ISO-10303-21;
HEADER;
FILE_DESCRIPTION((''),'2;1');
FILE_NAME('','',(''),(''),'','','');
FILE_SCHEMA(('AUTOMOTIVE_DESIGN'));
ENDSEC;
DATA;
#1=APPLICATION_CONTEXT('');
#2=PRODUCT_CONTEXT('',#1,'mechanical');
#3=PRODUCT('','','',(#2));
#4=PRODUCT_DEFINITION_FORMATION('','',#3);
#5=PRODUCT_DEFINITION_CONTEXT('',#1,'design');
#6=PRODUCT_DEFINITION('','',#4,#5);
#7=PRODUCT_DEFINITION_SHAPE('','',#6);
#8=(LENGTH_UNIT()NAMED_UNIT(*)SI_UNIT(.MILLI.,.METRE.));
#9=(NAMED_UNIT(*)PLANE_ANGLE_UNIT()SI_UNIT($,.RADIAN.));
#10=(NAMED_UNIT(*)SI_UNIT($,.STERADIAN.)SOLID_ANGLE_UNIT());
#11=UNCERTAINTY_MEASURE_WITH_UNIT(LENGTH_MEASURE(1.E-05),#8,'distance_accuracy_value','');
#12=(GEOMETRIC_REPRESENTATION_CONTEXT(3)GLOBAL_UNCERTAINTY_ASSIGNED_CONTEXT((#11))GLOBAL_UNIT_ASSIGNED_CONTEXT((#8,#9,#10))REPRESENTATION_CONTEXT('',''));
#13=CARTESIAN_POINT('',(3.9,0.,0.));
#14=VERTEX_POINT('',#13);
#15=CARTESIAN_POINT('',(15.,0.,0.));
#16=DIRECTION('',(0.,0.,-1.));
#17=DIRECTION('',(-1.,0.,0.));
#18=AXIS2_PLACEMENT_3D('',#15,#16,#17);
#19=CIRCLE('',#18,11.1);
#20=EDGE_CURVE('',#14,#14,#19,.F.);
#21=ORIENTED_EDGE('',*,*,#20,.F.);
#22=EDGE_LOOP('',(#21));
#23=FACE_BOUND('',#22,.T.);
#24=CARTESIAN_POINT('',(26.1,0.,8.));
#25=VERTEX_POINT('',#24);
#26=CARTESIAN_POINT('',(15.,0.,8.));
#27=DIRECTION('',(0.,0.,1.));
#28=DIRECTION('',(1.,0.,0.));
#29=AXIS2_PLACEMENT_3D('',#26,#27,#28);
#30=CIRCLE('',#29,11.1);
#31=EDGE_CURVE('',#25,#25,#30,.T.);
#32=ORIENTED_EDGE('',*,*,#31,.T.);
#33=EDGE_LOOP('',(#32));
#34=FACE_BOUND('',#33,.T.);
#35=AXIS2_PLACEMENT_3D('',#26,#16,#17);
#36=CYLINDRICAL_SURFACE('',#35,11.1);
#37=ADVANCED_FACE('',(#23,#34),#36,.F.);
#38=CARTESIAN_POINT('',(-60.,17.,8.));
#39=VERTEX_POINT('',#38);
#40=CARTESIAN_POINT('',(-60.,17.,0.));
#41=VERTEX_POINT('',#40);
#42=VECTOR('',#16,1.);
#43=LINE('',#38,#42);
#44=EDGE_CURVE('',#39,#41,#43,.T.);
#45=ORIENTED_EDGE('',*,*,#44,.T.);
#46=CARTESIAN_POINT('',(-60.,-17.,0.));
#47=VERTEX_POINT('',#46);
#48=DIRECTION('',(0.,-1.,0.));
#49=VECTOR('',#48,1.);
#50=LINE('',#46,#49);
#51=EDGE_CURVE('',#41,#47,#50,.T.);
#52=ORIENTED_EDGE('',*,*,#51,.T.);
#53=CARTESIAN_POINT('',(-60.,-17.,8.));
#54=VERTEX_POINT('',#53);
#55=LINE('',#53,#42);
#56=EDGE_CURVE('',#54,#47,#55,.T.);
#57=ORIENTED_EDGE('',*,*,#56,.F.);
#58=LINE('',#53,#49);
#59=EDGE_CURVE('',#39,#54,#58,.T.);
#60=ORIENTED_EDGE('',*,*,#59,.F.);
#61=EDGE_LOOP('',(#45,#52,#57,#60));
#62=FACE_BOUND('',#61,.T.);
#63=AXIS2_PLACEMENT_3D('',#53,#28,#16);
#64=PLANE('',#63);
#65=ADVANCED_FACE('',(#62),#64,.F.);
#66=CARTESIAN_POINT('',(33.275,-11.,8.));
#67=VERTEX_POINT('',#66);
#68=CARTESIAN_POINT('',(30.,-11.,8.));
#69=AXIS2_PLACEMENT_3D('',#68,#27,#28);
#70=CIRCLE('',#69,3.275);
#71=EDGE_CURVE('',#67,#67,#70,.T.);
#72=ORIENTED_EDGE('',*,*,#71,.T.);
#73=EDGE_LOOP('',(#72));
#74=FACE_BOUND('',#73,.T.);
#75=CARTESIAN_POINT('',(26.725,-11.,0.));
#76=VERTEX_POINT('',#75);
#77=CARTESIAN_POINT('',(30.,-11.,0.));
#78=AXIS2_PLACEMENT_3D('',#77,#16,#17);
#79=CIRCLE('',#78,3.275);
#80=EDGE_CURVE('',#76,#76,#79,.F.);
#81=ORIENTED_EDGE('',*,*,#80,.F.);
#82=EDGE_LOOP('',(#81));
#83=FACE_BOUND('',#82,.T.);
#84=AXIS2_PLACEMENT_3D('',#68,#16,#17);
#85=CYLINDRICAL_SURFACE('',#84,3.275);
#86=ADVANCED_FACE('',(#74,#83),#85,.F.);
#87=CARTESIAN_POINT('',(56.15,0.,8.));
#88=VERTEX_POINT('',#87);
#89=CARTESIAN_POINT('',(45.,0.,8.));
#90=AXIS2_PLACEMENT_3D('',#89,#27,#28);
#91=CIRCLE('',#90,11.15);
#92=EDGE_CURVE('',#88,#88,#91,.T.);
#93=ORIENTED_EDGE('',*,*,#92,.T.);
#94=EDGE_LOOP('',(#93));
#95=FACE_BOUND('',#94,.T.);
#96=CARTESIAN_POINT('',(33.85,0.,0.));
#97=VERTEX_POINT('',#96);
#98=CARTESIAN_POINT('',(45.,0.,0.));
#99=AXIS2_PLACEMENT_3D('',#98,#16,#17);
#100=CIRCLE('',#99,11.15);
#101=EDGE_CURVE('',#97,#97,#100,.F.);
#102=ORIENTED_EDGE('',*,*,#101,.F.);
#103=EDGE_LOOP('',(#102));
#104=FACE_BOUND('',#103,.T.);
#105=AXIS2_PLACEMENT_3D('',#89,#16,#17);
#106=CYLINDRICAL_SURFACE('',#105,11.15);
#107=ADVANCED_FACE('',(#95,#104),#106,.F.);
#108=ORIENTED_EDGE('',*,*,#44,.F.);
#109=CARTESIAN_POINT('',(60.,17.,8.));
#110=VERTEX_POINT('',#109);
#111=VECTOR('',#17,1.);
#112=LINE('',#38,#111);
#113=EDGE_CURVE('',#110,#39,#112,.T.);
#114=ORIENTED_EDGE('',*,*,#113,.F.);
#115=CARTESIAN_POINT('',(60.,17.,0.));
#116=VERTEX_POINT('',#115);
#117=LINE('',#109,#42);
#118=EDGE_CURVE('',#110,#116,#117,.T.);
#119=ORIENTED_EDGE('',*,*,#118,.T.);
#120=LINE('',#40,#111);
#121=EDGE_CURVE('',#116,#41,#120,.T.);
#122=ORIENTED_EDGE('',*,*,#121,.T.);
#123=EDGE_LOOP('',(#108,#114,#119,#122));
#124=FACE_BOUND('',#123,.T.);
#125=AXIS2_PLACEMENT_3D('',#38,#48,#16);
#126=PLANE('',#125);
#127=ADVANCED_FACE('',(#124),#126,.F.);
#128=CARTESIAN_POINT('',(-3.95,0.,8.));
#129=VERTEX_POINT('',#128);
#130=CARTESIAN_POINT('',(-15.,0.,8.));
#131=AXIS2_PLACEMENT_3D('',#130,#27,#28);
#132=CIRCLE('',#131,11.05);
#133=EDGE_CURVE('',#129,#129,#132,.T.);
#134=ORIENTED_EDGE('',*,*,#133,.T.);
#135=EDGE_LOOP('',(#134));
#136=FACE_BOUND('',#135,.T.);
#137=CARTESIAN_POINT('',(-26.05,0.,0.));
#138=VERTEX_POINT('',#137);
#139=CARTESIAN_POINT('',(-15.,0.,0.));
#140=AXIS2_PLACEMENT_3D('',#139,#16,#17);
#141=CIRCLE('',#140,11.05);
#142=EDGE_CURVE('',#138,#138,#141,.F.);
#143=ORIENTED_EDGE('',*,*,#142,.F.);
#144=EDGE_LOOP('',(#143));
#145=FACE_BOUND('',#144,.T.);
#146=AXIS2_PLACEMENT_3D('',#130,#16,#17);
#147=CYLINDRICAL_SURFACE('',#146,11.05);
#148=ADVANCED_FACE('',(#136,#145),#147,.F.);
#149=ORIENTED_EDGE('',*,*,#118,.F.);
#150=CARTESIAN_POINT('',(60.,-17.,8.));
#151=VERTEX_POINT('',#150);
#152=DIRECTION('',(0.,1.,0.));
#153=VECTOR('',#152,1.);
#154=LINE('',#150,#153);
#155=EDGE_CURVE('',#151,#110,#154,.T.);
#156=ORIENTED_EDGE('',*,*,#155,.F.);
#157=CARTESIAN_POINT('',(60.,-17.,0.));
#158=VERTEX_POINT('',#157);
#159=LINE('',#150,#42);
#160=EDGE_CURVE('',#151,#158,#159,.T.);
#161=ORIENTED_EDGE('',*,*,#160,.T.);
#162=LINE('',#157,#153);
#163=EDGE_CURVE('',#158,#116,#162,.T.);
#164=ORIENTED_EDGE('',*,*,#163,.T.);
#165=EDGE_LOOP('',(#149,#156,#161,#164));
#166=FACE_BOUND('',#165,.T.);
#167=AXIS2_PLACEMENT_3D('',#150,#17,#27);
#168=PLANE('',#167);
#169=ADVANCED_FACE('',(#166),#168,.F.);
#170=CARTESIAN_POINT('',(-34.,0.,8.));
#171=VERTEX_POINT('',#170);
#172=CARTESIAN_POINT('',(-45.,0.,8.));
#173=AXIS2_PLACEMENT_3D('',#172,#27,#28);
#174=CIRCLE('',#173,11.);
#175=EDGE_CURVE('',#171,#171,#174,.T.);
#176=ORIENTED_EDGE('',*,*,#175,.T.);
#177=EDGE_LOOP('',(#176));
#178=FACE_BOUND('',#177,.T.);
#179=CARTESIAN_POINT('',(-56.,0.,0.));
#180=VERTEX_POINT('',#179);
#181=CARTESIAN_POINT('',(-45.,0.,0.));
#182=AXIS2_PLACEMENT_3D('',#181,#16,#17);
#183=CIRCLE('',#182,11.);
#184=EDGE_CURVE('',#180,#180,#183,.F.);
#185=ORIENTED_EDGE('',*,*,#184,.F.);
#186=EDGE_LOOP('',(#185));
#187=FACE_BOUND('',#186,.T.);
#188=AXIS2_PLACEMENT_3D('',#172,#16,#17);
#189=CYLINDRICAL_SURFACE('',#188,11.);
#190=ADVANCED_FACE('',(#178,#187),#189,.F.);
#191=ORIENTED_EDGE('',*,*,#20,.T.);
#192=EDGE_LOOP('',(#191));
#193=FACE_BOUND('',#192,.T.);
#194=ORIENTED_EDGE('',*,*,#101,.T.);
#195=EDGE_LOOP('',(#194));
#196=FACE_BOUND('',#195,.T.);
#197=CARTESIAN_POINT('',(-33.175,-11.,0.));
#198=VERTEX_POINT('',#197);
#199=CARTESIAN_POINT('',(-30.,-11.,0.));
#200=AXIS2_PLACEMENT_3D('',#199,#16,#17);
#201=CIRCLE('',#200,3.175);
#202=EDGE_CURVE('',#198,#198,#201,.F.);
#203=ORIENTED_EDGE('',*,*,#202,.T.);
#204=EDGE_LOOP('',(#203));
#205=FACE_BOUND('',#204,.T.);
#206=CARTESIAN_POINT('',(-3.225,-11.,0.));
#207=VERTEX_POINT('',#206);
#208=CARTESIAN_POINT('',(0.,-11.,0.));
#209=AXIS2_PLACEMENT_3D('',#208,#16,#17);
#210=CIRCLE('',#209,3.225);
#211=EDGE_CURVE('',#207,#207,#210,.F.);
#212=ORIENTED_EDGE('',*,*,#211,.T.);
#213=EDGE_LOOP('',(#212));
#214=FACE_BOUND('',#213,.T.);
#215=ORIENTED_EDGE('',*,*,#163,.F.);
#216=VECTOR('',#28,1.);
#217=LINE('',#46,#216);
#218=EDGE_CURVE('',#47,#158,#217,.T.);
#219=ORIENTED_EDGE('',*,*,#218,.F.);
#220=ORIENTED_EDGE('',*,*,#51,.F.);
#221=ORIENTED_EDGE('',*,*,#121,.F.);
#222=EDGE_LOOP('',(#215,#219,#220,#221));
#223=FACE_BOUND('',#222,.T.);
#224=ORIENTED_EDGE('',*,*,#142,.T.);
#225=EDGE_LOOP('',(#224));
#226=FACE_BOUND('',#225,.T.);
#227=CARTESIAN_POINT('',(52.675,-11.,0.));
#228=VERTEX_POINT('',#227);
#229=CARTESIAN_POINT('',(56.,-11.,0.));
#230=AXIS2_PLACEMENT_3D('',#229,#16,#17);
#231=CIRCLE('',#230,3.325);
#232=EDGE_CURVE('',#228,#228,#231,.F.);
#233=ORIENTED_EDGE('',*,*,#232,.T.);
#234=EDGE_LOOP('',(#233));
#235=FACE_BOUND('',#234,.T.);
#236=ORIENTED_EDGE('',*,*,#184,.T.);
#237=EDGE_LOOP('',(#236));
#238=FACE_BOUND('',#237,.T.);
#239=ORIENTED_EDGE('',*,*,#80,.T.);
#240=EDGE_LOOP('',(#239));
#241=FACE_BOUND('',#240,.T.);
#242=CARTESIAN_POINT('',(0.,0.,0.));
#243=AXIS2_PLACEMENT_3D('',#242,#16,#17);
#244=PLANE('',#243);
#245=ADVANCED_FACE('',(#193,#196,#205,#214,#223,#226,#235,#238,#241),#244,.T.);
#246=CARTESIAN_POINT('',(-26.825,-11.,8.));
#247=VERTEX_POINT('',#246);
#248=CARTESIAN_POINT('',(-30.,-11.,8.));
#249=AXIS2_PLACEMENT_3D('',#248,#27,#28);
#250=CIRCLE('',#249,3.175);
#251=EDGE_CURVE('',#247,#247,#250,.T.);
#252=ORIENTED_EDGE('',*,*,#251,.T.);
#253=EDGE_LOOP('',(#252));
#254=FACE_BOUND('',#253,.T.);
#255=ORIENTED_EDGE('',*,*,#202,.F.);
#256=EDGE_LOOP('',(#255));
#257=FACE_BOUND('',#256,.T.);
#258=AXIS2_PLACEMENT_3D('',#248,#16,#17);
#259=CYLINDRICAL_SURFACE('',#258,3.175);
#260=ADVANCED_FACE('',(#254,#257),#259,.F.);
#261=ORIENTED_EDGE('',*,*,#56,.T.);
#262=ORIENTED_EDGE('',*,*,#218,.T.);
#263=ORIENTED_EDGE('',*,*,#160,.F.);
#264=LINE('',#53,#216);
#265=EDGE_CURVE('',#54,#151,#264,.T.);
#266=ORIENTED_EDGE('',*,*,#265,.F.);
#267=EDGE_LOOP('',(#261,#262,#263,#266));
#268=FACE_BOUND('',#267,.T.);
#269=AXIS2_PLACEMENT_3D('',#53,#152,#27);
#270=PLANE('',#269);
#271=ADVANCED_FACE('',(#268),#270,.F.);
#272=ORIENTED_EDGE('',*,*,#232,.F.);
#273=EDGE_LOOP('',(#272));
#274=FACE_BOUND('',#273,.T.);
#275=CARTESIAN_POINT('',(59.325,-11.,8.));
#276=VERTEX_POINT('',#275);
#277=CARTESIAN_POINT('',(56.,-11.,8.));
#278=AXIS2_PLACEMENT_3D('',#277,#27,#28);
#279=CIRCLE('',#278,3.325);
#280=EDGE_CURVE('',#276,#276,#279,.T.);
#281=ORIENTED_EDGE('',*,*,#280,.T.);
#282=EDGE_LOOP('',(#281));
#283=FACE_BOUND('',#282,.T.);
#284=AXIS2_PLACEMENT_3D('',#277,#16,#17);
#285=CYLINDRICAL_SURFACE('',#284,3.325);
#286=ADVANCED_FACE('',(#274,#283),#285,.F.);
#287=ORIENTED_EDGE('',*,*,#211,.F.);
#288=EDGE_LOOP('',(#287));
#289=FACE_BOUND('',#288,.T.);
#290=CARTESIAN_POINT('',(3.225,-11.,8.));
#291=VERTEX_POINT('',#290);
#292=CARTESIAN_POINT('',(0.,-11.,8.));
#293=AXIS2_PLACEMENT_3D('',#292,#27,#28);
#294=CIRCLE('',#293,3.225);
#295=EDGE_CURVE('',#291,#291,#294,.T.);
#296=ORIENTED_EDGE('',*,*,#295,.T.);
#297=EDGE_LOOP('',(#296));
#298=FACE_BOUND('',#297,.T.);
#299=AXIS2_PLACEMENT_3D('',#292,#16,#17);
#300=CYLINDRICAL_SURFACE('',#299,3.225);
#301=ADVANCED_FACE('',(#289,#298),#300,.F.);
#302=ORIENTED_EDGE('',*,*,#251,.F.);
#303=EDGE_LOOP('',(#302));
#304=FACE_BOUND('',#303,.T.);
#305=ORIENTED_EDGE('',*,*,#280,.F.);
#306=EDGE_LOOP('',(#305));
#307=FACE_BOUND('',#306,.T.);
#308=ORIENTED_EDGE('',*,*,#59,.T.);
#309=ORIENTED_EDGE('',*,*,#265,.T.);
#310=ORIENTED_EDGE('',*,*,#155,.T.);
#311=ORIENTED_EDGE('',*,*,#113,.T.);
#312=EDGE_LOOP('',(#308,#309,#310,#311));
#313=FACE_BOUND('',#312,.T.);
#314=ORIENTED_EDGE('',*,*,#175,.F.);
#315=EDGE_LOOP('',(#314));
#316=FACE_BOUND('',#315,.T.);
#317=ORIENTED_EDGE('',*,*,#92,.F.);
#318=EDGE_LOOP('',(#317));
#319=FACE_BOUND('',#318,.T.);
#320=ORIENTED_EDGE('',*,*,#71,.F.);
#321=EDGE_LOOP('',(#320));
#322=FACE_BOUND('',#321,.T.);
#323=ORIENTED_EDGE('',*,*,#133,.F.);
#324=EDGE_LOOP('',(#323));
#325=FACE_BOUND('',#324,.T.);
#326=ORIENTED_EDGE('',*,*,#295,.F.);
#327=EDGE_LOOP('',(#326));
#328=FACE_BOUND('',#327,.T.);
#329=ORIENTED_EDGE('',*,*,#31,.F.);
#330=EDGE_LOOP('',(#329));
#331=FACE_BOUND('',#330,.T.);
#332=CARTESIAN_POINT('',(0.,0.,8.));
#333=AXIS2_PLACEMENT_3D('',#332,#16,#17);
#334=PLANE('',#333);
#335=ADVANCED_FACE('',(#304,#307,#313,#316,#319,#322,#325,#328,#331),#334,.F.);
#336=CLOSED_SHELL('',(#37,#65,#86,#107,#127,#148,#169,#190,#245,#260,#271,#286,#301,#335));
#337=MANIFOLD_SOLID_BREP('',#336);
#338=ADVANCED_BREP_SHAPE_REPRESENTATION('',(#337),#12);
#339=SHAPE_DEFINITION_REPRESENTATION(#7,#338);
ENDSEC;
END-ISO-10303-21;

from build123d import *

# Parameters (mm, degrees)
COUPON_PLATE_PROFILE_W                     = 120
COUPON_PLATE_PROFILE_H                     = 34
COUPON_PLATE_DEPTH                         = 8
BEARING_FIT_TRIAL_THROUGH_START            = -1
BEARING_SEAT_TRIAL_22P0_22P1_22P2_22P3_R   = 11
BEARING_SEAT_TRIAL_22P0_22P1_22P2_22P3_R_2 = 11.05
BEARING_SEAT_TRIAL_22P0_22P1_22P2_22P3_R_3 = 11.1
BEARING_SEAT_TRIAL_22P0_22P1_22P2_22P3_R_4 = 11.15
BEARING_FIT_TRIAL_THROUGH_DEPTH            = 64.872887638
DOWEL_FIT_TRIAL_THROUGH_START              = -1
DOWEL_TRIAL_6P35_6P45_6P55_6P65_R          = 3.175
DOWEL_TRIAL_6P35_6P45_6P55_6P65_R_2        = 3.225
DOWEL_TRIAL_6P35_6P45_6P55_6P65_R_3        = 3.275
DOWEL_TRIAL_6P35_6P45_6P55_6P65_R_4        = 3.325
DOWEL_FIT_TRIAL_THROUGH_DEPTH              = 64.872887638


with BuildPart() as part:
    # Coupon_plate_profile → Coupon_plate (new body)
    with BuildSketch(Plane.XY):
        Rectangle(COUPON_PLATE_PROFILE_W, COUPON_PLATE_PROFILE_H)
    extrude(amount=COUPON_PLATE_DEPTH)

    # Bearing_seat_trial_22p0_22p1_22p2_22p3 → Bearing_fit_trial_through (cut, through all)
    with BuildSketch(Plane.XY.offset(BEARING_FIT_TRIAL_THROUGH_START)):
        with Locations(Location((-45, 0, 0), (0, 0, 180))):
            Circle(BEARING_SEAT_TRIAL_22P0_22P1_22P2_22P3_R)
        with Locations(Location((-15, 0, 0), (0, 0, 180))):
            Circle(BEARING_SEAT_TRIAL_22P0_22P1_22P2_22P3_R_2)
        with Locations(Location((15, 0, 0), (0, 0, 180))):
            Circle(BEARING_SEAT_TRIAL_22P0_22P1_22P2_22P3_R_3)
        with Locations(Location((45, 0, 0), (0, 0, 180))):
            Circle(BEARING_SEAT_TRIAL_22P0_22P1_22P2_22P3_R_4)
    extrude(amount=BEARING_FIT_TRIAL_THROUGH_DEPTH, mode=Mode.SUBTRACT)

    # Dowel_trial_6p35_6p45_6p55_6p65 → Dowel_fit_trial_through (cut, through all)
    with BuildSketch(Plane.XY.offset(DOWEL_FIT_TRIAL_THROUGH_START)):
        with Locations(Location((-30, -11, 0), (0, 0, 180))):
            Circle(DOWEL_TRIAL_6P35_6P45_6P55_6P65_R)
        with Locations(Location((0, -11, 0), (0, 0, 180))):
            Circle(DOWEL_TRIAL_6P35_6P45_6P55_6P65_R_2)
        with Locations(Location((30, -11, 0), (0, 0, 180))):
            Circle(DOWEL_TRIAL_6P35_6P45_6P55_6P65_R_3)
        with Locations(Location((56, -11, 0), (0, 0, 180))):
            Circle(DOWEL_TRIAL_6P35_6P45_6P55_6P65_R_4)
    extrude(amount=DOWEL_FIT_TRIAL_THROUGH_DEPTH, mode=Mode.SUBTRACT)


solid = part.part
